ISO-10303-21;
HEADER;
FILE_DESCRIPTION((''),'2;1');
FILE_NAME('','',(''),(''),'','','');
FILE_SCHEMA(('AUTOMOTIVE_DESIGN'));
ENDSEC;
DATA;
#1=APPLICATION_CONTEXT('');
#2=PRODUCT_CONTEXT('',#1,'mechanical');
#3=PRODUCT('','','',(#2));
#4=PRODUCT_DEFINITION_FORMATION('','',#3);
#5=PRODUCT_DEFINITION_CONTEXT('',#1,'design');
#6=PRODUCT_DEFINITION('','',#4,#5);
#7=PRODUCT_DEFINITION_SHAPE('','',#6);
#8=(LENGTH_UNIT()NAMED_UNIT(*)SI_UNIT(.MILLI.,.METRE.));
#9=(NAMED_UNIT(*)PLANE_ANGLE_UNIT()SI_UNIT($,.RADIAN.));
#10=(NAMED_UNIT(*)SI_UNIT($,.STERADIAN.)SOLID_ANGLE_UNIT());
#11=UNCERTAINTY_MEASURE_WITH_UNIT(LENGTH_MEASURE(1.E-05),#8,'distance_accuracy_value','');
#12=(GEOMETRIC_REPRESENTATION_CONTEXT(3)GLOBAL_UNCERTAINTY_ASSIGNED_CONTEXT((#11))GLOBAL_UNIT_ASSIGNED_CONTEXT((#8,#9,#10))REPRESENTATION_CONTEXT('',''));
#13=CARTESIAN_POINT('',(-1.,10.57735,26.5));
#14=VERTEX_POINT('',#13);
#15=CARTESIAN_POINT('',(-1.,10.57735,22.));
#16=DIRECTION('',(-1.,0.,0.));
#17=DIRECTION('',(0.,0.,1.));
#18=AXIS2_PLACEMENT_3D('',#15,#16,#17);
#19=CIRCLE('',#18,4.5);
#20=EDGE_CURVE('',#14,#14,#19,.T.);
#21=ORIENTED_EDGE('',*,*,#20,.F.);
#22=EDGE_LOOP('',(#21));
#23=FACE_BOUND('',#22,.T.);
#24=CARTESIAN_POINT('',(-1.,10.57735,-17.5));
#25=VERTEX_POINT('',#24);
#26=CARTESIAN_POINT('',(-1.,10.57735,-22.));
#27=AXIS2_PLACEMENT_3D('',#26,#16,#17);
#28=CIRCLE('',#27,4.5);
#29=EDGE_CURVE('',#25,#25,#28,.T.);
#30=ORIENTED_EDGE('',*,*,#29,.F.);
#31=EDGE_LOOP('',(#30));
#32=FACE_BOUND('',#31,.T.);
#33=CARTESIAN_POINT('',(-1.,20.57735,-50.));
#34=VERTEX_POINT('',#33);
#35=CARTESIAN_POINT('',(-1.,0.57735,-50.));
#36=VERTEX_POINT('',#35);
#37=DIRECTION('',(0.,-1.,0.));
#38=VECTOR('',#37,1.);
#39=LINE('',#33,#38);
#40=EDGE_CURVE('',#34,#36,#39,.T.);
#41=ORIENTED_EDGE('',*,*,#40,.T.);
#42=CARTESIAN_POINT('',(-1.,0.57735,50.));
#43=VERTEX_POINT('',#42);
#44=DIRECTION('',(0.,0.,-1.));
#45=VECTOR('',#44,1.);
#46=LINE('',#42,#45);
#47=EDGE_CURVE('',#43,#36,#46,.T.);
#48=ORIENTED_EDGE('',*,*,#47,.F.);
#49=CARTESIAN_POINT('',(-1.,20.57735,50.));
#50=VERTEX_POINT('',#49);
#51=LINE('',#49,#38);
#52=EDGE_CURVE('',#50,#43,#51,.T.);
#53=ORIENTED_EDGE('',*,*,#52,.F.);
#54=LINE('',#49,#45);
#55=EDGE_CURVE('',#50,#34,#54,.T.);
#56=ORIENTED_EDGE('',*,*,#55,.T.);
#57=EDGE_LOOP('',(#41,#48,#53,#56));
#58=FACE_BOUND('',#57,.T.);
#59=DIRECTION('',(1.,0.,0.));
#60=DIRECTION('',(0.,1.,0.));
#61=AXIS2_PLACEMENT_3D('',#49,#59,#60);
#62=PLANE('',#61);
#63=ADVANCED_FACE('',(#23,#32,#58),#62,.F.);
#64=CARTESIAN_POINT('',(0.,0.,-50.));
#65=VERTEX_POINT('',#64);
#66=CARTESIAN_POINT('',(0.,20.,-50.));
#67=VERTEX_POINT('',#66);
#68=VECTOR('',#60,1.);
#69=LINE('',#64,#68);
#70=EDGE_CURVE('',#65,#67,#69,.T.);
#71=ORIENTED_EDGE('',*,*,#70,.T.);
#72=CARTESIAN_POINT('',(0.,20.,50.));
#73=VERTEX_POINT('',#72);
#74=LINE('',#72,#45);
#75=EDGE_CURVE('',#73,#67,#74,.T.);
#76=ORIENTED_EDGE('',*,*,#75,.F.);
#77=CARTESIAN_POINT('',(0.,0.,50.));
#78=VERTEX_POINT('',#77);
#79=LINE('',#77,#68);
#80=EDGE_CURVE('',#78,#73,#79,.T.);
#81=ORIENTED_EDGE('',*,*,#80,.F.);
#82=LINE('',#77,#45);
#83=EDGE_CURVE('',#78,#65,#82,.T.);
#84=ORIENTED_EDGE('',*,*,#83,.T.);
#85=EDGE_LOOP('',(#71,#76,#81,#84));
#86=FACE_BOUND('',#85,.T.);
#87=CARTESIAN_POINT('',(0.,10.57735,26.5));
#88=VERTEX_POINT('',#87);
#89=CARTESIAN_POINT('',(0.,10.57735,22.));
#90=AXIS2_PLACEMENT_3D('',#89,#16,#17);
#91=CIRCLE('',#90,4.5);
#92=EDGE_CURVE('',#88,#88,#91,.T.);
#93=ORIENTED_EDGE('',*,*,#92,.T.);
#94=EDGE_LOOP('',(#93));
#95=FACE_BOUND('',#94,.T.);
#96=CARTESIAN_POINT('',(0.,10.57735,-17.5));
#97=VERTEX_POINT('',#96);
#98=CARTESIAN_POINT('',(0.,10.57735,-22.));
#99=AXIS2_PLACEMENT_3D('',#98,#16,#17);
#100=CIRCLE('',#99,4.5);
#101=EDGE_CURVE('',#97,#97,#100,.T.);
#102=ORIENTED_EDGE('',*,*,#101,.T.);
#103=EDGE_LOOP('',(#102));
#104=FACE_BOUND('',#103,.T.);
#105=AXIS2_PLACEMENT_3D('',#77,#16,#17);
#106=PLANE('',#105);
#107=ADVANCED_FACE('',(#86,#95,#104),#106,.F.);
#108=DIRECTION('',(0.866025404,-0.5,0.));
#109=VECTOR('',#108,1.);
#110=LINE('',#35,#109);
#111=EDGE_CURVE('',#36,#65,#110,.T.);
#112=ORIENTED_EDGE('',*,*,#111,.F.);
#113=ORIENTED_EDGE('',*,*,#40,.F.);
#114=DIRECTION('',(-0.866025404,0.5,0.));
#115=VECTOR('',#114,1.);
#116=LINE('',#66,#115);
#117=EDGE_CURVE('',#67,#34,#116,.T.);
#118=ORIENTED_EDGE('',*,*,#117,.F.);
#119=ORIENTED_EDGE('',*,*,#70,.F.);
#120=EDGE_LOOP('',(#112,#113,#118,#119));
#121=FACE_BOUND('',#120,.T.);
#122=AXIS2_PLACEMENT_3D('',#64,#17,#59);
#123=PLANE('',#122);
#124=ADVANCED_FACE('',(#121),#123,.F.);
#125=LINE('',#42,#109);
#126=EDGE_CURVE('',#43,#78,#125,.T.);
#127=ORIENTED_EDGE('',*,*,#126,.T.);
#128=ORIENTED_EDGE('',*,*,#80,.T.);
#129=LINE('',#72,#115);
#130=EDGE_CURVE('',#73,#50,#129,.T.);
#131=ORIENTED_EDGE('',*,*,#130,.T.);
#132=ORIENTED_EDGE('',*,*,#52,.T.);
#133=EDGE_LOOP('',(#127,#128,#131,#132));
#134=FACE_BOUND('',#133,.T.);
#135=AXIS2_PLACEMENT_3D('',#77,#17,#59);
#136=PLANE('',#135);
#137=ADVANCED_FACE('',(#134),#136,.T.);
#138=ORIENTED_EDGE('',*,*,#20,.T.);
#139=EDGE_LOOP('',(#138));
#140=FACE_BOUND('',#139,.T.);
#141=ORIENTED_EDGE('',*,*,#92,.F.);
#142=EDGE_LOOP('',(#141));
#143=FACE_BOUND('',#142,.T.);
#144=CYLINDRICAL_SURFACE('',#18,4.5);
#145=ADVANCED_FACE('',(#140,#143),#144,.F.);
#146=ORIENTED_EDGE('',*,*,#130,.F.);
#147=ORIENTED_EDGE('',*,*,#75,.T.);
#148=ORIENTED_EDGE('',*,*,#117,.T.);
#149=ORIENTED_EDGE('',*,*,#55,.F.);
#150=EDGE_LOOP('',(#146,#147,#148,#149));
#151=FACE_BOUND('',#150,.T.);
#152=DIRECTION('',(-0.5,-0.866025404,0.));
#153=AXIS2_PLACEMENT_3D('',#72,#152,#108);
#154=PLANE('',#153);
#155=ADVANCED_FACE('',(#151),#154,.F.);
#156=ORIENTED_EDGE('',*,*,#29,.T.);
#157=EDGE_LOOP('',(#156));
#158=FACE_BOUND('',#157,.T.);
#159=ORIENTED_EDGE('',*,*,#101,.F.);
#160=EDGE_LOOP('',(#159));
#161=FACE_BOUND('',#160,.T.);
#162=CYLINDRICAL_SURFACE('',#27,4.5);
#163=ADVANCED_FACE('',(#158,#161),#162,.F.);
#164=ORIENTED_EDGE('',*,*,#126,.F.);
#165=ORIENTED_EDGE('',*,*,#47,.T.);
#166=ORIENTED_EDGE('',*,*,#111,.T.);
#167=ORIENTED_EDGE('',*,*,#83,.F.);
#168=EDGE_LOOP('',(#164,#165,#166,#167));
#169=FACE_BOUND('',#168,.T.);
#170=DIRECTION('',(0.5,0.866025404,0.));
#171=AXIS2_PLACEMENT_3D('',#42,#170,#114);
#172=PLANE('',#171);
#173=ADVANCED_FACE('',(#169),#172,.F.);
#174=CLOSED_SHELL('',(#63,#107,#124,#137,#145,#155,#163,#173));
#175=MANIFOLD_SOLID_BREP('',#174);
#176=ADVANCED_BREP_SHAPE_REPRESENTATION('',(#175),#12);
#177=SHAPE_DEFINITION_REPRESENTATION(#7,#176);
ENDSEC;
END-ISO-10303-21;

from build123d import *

# Parameters (mm, degrees)
SALIENTE_EXTRUIR2_DEPTH          = 50
TALADRO_DE_MARGEN_PARA_M82_D     = 9
TALADRO_DE_MARGEN_PARA_M82_DEPTH = 10
TALADRO_DE_MARGEN_PARA_M82_TIP   = 2.703872786


with BuildPart() as part:
    # Croquis3 → Saliente-Extruir2 (new, symmetric)
    with BuildSketch(Plane.XY):
        Polygon((0, 0), (0, 20), (-1, 20.577350269), (-1, 0.577350269), align=None)
    extrude(amount=SALIENTE_EXTRUIR2_DEPTH, both=True)

    # Taladro de margen para M82
    with Locations(Plane(origin=(-1, 10.577350269, -22), x_dir=(0, -1, 0), z_dir=(-1, 0, 0))):
        with Locations((0, 0), (0, 44)):
            Hole(TALADRO_DE_MARGEN_PARA_M82_D / 2, depth=TALADRO_DE_MARGEN_PARA_M82_DEPTH)
            with Locations((0, 0, -(TALADRO_DE_MARGEN_PARA_M82_DEPTH + TALADRO_DE_MARGEN_PARA_M82_TIP / 2))):  # 118° drill point
                Cone(0, TALADRO_DE_MARGEN_PARA_M82_D / 2, TALADRO_DE_MARGEN_PARA_M82_TIP, mode=Mode.SUBTRACT)


solid = part.part
